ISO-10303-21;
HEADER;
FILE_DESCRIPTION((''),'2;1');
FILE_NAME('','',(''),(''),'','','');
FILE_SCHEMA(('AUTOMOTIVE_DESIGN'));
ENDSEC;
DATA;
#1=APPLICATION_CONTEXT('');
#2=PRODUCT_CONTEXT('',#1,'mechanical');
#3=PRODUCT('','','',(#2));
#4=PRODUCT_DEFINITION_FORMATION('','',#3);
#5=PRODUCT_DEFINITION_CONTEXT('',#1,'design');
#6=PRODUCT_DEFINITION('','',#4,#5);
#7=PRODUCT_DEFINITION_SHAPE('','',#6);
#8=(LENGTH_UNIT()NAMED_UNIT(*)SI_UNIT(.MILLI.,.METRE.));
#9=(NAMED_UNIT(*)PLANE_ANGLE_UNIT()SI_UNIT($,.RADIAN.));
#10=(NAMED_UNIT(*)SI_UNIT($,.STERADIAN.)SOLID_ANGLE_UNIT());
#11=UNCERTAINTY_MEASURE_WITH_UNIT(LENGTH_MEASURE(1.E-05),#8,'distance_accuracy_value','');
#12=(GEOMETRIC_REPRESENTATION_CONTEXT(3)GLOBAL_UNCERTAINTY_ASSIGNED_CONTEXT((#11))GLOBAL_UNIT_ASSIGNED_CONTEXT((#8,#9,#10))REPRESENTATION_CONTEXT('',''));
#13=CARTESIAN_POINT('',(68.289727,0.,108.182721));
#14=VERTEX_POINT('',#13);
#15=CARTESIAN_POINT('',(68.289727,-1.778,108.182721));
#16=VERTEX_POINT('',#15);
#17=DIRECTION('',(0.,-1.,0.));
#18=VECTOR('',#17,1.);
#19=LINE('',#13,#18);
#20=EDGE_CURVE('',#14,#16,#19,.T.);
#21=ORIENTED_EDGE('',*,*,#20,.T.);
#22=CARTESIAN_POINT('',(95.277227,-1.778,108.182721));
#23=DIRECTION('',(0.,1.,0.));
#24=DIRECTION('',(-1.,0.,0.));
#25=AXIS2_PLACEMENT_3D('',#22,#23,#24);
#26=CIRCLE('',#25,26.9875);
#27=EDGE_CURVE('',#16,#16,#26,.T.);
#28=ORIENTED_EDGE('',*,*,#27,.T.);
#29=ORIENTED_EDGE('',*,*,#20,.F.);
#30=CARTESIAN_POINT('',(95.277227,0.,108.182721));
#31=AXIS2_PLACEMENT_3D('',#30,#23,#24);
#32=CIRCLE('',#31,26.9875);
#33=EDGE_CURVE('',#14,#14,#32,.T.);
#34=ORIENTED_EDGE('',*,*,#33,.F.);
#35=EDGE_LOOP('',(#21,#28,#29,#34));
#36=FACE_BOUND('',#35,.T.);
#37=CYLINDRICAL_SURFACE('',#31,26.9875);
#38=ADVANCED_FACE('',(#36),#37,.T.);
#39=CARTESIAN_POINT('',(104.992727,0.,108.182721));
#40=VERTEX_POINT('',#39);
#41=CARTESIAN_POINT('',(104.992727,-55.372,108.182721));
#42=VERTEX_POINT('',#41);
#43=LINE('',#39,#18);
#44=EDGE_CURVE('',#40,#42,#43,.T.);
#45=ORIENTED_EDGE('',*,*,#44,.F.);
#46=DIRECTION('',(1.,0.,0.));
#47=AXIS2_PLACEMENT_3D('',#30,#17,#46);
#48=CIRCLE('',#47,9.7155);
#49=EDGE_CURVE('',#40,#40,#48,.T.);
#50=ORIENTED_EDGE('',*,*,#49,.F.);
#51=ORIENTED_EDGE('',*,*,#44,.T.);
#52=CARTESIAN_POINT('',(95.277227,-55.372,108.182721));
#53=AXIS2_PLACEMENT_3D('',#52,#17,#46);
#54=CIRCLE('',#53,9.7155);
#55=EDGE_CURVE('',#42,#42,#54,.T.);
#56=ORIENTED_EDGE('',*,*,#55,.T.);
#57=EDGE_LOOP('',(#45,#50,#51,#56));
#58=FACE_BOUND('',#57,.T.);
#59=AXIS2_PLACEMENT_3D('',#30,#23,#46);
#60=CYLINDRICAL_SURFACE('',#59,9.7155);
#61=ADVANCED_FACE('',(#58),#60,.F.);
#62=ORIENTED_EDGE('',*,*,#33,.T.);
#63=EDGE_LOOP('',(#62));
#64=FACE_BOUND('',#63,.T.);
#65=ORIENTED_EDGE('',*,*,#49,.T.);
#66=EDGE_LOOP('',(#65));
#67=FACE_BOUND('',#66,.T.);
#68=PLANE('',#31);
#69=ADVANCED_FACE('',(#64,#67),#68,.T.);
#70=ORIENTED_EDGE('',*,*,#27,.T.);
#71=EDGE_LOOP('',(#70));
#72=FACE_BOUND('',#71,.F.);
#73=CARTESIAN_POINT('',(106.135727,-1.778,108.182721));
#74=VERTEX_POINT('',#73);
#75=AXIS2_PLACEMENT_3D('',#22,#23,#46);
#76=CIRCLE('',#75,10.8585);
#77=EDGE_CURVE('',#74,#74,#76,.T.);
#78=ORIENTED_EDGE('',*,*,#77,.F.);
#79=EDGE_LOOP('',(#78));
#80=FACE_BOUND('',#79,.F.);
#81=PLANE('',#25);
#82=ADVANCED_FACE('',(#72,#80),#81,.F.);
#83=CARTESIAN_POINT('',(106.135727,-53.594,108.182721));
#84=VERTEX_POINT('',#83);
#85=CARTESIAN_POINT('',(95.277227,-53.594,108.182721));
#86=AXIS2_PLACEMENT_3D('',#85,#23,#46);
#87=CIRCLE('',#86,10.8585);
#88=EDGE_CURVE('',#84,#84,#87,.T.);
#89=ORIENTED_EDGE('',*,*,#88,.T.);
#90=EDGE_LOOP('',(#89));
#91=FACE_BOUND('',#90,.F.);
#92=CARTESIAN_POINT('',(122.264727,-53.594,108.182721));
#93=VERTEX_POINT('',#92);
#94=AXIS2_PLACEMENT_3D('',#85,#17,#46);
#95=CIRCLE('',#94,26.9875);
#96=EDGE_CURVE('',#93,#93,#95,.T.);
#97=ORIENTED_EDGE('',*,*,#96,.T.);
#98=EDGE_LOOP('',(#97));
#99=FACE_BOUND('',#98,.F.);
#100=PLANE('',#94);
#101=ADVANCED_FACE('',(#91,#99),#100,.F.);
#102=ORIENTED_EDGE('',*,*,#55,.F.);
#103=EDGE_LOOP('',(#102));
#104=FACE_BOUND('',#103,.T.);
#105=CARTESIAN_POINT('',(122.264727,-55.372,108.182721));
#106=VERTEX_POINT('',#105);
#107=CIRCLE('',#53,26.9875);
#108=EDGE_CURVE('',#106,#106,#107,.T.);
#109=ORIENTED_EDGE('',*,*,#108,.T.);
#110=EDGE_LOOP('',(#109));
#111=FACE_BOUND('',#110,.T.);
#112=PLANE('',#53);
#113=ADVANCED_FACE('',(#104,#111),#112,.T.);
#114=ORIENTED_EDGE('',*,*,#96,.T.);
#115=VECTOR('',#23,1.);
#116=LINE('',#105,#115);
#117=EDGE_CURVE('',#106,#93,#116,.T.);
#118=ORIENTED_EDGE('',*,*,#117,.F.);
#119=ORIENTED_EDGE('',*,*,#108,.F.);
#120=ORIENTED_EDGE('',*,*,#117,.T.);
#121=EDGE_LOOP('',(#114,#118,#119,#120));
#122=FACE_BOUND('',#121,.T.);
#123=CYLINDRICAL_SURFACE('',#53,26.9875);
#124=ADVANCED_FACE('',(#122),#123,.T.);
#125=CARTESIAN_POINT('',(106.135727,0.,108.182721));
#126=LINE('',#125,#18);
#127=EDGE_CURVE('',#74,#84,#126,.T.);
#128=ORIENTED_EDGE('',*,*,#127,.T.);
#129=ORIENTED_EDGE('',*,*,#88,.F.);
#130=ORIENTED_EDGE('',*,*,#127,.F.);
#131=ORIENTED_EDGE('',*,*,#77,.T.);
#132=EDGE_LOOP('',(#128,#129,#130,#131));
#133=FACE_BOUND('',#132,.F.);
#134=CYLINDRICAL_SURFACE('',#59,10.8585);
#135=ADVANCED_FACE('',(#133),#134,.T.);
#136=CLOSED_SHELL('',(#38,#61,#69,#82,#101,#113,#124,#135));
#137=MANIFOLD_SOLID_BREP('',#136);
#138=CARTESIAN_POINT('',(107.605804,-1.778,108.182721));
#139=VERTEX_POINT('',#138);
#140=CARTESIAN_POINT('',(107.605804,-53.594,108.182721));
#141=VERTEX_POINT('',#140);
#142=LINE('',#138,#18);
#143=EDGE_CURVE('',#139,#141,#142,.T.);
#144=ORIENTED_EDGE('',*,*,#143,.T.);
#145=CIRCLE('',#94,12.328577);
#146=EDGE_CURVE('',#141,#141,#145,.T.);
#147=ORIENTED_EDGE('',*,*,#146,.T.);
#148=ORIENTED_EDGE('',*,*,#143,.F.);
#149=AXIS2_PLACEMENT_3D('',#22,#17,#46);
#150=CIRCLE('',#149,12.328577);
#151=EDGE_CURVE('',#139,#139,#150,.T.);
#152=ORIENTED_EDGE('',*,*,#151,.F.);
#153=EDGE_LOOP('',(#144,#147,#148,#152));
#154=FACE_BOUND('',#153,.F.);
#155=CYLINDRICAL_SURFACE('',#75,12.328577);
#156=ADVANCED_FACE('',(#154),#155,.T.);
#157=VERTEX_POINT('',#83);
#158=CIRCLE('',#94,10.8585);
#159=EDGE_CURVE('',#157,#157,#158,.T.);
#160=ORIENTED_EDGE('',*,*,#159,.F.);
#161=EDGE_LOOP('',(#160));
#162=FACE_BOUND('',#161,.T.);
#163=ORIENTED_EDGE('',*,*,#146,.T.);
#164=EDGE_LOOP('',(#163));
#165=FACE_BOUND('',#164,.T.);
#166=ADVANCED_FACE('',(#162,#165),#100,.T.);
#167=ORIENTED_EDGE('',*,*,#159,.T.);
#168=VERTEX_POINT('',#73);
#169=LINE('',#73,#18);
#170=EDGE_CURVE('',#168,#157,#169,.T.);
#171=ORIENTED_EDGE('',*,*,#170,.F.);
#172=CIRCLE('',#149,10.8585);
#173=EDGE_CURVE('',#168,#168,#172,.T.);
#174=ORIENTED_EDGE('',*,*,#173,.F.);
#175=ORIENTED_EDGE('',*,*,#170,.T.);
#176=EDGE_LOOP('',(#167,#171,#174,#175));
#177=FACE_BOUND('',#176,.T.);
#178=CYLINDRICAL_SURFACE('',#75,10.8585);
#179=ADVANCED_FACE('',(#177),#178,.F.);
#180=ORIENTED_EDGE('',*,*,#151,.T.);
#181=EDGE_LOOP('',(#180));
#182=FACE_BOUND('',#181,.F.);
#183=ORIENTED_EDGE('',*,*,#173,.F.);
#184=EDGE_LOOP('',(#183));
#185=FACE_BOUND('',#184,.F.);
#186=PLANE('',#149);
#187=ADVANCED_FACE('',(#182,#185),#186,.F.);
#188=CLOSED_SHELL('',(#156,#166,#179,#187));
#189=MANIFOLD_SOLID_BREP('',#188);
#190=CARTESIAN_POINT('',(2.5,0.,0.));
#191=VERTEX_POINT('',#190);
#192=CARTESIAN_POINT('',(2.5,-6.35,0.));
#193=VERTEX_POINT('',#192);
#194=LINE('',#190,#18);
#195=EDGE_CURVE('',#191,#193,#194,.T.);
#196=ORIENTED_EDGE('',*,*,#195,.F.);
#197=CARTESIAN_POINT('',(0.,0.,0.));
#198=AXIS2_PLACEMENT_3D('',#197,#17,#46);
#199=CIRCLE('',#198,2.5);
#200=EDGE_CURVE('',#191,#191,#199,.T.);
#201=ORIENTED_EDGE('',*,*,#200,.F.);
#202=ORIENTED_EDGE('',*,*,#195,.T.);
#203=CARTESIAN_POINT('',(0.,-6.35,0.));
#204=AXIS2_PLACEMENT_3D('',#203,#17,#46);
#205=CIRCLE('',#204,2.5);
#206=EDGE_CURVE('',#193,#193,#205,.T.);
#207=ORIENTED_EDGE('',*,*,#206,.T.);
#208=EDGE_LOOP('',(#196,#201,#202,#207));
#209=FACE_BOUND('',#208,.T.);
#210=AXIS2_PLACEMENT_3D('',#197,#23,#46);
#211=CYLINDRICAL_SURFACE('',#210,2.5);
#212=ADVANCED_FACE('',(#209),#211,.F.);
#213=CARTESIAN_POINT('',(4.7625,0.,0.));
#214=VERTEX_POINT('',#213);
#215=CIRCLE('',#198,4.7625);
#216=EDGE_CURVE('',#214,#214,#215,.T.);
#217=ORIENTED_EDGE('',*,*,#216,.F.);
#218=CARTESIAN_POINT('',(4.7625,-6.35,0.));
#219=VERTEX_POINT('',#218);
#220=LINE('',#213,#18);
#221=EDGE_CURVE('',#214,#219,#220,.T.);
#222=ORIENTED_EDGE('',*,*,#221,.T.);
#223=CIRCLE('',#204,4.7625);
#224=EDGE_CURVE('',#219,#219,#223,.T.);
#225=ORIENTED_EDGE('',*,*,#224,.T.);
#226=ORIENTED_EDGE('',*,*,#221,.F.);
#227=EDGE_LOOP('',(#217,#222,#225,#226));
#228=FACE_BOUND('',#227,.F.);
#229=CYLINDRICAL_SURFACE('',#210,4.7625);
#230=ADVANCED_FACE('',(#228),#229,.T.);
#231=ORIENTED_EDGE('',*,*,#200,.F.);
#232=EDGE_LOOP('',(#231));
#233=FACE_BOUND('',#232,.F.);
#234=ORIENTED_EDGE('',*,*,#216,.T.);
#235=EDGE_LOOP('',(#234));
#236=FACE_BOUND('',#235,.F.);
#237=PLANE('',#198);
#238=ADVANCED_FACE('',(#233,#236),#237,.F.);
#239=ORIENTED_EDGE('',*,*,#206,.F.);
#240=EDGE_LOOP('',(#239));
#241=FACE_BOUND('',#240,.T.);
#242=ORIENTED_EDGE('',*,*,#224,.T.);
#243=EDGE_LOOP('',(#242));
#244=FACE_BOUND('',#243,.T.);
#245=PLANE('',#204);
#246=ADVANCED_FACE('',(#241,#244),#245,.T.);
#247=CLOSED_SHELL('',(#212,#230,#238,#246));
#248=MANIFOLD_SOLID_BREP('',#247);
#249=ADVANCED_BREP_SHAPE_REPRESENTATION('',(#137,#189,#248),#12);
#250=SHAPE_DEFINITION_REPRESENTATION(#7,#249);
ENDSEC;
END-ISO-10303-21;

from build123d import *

# Parameters (mm, degrees)
F0_R     = 4.7625
F0_R_2   = 2.5
F1_DEPTH = 6.35
F2_R     = 10.8585
F2_R_2   = 9.7155
F3_DEPTH = 55.372
F4_R     = 26.9875
F4_R_2   = 9.7155
F5_DEPTH = 1.778
F6_R     = 26.9875
F6_R_2   = 9.7155
F7_DEPTH = 1.778
F8_R     = 12.328577
F8_R_2   = 10.8585
F9_DEPTH = 51.816


with BuildPart() as f1:
    # F0 (on Front) → F1 (new body)
    with BuildSketch(Plane.XZ):
        Circle(F0_R)
        Circle(F0_R_2, mode=Mode.SUBTRACT)
    extrude(amount=F1_DEPTH)


with BuildPart() as f3:
    # F2 (on Front) → F3 (new body)
    with BuildSketch(Plane.XZ):
        with Locations((95.277227, 108.182721)):
            Circle(F2_R)
        with Locations((95.277227, 108.182721)):
            Circle(F2_R_2, mode=Mode.SUBTRACT)
    extrude(amount=F3_DEPTH)

    # F4 (on face) → F5 (join)
    with BuildSketch(Plane.XZ.offset(55.372)):
        with Locations((95.277227, 108.182721)):
            Circle(F4_R)
        with Locations((95.277227, 108.182721)):
            Circle(F4_R_2, mode=Mode.SUBTRACT)
    extrude(amount=-F5_DEPTH)

    # F6 (on face) → F7 (join)
    with BuildSketch(Plane(origin=(0, 0, 0), x_dir=(-1, 0, 0), z_dir=(0, 1, 0))):
        with Locations((-95.277227, 108.182721)):
            Circle(F6_R)
        with Locations((-95.277227, 108.182721)):
            Circle(F6_R_2, mode=Mode.SUBTRACT)
    extrude(amount=-F7_DEPTH)


with BuildPart() as f9:
    # F8 (on face) → F9 (new body, through all)
    with BuildSketch(Plane.XZ.offset(1.778)):
        with Locations((95.277227, 108.182721)):
            Circle(F8_R)
        with Locations((95.277227, 108.182721)):
            Circle(F8_R_2, mode=Mode.SUBTRACT)
    extrude(amount=F9_DEPTH)


solid = Compound([f1.part, f3.part, f9.part])
